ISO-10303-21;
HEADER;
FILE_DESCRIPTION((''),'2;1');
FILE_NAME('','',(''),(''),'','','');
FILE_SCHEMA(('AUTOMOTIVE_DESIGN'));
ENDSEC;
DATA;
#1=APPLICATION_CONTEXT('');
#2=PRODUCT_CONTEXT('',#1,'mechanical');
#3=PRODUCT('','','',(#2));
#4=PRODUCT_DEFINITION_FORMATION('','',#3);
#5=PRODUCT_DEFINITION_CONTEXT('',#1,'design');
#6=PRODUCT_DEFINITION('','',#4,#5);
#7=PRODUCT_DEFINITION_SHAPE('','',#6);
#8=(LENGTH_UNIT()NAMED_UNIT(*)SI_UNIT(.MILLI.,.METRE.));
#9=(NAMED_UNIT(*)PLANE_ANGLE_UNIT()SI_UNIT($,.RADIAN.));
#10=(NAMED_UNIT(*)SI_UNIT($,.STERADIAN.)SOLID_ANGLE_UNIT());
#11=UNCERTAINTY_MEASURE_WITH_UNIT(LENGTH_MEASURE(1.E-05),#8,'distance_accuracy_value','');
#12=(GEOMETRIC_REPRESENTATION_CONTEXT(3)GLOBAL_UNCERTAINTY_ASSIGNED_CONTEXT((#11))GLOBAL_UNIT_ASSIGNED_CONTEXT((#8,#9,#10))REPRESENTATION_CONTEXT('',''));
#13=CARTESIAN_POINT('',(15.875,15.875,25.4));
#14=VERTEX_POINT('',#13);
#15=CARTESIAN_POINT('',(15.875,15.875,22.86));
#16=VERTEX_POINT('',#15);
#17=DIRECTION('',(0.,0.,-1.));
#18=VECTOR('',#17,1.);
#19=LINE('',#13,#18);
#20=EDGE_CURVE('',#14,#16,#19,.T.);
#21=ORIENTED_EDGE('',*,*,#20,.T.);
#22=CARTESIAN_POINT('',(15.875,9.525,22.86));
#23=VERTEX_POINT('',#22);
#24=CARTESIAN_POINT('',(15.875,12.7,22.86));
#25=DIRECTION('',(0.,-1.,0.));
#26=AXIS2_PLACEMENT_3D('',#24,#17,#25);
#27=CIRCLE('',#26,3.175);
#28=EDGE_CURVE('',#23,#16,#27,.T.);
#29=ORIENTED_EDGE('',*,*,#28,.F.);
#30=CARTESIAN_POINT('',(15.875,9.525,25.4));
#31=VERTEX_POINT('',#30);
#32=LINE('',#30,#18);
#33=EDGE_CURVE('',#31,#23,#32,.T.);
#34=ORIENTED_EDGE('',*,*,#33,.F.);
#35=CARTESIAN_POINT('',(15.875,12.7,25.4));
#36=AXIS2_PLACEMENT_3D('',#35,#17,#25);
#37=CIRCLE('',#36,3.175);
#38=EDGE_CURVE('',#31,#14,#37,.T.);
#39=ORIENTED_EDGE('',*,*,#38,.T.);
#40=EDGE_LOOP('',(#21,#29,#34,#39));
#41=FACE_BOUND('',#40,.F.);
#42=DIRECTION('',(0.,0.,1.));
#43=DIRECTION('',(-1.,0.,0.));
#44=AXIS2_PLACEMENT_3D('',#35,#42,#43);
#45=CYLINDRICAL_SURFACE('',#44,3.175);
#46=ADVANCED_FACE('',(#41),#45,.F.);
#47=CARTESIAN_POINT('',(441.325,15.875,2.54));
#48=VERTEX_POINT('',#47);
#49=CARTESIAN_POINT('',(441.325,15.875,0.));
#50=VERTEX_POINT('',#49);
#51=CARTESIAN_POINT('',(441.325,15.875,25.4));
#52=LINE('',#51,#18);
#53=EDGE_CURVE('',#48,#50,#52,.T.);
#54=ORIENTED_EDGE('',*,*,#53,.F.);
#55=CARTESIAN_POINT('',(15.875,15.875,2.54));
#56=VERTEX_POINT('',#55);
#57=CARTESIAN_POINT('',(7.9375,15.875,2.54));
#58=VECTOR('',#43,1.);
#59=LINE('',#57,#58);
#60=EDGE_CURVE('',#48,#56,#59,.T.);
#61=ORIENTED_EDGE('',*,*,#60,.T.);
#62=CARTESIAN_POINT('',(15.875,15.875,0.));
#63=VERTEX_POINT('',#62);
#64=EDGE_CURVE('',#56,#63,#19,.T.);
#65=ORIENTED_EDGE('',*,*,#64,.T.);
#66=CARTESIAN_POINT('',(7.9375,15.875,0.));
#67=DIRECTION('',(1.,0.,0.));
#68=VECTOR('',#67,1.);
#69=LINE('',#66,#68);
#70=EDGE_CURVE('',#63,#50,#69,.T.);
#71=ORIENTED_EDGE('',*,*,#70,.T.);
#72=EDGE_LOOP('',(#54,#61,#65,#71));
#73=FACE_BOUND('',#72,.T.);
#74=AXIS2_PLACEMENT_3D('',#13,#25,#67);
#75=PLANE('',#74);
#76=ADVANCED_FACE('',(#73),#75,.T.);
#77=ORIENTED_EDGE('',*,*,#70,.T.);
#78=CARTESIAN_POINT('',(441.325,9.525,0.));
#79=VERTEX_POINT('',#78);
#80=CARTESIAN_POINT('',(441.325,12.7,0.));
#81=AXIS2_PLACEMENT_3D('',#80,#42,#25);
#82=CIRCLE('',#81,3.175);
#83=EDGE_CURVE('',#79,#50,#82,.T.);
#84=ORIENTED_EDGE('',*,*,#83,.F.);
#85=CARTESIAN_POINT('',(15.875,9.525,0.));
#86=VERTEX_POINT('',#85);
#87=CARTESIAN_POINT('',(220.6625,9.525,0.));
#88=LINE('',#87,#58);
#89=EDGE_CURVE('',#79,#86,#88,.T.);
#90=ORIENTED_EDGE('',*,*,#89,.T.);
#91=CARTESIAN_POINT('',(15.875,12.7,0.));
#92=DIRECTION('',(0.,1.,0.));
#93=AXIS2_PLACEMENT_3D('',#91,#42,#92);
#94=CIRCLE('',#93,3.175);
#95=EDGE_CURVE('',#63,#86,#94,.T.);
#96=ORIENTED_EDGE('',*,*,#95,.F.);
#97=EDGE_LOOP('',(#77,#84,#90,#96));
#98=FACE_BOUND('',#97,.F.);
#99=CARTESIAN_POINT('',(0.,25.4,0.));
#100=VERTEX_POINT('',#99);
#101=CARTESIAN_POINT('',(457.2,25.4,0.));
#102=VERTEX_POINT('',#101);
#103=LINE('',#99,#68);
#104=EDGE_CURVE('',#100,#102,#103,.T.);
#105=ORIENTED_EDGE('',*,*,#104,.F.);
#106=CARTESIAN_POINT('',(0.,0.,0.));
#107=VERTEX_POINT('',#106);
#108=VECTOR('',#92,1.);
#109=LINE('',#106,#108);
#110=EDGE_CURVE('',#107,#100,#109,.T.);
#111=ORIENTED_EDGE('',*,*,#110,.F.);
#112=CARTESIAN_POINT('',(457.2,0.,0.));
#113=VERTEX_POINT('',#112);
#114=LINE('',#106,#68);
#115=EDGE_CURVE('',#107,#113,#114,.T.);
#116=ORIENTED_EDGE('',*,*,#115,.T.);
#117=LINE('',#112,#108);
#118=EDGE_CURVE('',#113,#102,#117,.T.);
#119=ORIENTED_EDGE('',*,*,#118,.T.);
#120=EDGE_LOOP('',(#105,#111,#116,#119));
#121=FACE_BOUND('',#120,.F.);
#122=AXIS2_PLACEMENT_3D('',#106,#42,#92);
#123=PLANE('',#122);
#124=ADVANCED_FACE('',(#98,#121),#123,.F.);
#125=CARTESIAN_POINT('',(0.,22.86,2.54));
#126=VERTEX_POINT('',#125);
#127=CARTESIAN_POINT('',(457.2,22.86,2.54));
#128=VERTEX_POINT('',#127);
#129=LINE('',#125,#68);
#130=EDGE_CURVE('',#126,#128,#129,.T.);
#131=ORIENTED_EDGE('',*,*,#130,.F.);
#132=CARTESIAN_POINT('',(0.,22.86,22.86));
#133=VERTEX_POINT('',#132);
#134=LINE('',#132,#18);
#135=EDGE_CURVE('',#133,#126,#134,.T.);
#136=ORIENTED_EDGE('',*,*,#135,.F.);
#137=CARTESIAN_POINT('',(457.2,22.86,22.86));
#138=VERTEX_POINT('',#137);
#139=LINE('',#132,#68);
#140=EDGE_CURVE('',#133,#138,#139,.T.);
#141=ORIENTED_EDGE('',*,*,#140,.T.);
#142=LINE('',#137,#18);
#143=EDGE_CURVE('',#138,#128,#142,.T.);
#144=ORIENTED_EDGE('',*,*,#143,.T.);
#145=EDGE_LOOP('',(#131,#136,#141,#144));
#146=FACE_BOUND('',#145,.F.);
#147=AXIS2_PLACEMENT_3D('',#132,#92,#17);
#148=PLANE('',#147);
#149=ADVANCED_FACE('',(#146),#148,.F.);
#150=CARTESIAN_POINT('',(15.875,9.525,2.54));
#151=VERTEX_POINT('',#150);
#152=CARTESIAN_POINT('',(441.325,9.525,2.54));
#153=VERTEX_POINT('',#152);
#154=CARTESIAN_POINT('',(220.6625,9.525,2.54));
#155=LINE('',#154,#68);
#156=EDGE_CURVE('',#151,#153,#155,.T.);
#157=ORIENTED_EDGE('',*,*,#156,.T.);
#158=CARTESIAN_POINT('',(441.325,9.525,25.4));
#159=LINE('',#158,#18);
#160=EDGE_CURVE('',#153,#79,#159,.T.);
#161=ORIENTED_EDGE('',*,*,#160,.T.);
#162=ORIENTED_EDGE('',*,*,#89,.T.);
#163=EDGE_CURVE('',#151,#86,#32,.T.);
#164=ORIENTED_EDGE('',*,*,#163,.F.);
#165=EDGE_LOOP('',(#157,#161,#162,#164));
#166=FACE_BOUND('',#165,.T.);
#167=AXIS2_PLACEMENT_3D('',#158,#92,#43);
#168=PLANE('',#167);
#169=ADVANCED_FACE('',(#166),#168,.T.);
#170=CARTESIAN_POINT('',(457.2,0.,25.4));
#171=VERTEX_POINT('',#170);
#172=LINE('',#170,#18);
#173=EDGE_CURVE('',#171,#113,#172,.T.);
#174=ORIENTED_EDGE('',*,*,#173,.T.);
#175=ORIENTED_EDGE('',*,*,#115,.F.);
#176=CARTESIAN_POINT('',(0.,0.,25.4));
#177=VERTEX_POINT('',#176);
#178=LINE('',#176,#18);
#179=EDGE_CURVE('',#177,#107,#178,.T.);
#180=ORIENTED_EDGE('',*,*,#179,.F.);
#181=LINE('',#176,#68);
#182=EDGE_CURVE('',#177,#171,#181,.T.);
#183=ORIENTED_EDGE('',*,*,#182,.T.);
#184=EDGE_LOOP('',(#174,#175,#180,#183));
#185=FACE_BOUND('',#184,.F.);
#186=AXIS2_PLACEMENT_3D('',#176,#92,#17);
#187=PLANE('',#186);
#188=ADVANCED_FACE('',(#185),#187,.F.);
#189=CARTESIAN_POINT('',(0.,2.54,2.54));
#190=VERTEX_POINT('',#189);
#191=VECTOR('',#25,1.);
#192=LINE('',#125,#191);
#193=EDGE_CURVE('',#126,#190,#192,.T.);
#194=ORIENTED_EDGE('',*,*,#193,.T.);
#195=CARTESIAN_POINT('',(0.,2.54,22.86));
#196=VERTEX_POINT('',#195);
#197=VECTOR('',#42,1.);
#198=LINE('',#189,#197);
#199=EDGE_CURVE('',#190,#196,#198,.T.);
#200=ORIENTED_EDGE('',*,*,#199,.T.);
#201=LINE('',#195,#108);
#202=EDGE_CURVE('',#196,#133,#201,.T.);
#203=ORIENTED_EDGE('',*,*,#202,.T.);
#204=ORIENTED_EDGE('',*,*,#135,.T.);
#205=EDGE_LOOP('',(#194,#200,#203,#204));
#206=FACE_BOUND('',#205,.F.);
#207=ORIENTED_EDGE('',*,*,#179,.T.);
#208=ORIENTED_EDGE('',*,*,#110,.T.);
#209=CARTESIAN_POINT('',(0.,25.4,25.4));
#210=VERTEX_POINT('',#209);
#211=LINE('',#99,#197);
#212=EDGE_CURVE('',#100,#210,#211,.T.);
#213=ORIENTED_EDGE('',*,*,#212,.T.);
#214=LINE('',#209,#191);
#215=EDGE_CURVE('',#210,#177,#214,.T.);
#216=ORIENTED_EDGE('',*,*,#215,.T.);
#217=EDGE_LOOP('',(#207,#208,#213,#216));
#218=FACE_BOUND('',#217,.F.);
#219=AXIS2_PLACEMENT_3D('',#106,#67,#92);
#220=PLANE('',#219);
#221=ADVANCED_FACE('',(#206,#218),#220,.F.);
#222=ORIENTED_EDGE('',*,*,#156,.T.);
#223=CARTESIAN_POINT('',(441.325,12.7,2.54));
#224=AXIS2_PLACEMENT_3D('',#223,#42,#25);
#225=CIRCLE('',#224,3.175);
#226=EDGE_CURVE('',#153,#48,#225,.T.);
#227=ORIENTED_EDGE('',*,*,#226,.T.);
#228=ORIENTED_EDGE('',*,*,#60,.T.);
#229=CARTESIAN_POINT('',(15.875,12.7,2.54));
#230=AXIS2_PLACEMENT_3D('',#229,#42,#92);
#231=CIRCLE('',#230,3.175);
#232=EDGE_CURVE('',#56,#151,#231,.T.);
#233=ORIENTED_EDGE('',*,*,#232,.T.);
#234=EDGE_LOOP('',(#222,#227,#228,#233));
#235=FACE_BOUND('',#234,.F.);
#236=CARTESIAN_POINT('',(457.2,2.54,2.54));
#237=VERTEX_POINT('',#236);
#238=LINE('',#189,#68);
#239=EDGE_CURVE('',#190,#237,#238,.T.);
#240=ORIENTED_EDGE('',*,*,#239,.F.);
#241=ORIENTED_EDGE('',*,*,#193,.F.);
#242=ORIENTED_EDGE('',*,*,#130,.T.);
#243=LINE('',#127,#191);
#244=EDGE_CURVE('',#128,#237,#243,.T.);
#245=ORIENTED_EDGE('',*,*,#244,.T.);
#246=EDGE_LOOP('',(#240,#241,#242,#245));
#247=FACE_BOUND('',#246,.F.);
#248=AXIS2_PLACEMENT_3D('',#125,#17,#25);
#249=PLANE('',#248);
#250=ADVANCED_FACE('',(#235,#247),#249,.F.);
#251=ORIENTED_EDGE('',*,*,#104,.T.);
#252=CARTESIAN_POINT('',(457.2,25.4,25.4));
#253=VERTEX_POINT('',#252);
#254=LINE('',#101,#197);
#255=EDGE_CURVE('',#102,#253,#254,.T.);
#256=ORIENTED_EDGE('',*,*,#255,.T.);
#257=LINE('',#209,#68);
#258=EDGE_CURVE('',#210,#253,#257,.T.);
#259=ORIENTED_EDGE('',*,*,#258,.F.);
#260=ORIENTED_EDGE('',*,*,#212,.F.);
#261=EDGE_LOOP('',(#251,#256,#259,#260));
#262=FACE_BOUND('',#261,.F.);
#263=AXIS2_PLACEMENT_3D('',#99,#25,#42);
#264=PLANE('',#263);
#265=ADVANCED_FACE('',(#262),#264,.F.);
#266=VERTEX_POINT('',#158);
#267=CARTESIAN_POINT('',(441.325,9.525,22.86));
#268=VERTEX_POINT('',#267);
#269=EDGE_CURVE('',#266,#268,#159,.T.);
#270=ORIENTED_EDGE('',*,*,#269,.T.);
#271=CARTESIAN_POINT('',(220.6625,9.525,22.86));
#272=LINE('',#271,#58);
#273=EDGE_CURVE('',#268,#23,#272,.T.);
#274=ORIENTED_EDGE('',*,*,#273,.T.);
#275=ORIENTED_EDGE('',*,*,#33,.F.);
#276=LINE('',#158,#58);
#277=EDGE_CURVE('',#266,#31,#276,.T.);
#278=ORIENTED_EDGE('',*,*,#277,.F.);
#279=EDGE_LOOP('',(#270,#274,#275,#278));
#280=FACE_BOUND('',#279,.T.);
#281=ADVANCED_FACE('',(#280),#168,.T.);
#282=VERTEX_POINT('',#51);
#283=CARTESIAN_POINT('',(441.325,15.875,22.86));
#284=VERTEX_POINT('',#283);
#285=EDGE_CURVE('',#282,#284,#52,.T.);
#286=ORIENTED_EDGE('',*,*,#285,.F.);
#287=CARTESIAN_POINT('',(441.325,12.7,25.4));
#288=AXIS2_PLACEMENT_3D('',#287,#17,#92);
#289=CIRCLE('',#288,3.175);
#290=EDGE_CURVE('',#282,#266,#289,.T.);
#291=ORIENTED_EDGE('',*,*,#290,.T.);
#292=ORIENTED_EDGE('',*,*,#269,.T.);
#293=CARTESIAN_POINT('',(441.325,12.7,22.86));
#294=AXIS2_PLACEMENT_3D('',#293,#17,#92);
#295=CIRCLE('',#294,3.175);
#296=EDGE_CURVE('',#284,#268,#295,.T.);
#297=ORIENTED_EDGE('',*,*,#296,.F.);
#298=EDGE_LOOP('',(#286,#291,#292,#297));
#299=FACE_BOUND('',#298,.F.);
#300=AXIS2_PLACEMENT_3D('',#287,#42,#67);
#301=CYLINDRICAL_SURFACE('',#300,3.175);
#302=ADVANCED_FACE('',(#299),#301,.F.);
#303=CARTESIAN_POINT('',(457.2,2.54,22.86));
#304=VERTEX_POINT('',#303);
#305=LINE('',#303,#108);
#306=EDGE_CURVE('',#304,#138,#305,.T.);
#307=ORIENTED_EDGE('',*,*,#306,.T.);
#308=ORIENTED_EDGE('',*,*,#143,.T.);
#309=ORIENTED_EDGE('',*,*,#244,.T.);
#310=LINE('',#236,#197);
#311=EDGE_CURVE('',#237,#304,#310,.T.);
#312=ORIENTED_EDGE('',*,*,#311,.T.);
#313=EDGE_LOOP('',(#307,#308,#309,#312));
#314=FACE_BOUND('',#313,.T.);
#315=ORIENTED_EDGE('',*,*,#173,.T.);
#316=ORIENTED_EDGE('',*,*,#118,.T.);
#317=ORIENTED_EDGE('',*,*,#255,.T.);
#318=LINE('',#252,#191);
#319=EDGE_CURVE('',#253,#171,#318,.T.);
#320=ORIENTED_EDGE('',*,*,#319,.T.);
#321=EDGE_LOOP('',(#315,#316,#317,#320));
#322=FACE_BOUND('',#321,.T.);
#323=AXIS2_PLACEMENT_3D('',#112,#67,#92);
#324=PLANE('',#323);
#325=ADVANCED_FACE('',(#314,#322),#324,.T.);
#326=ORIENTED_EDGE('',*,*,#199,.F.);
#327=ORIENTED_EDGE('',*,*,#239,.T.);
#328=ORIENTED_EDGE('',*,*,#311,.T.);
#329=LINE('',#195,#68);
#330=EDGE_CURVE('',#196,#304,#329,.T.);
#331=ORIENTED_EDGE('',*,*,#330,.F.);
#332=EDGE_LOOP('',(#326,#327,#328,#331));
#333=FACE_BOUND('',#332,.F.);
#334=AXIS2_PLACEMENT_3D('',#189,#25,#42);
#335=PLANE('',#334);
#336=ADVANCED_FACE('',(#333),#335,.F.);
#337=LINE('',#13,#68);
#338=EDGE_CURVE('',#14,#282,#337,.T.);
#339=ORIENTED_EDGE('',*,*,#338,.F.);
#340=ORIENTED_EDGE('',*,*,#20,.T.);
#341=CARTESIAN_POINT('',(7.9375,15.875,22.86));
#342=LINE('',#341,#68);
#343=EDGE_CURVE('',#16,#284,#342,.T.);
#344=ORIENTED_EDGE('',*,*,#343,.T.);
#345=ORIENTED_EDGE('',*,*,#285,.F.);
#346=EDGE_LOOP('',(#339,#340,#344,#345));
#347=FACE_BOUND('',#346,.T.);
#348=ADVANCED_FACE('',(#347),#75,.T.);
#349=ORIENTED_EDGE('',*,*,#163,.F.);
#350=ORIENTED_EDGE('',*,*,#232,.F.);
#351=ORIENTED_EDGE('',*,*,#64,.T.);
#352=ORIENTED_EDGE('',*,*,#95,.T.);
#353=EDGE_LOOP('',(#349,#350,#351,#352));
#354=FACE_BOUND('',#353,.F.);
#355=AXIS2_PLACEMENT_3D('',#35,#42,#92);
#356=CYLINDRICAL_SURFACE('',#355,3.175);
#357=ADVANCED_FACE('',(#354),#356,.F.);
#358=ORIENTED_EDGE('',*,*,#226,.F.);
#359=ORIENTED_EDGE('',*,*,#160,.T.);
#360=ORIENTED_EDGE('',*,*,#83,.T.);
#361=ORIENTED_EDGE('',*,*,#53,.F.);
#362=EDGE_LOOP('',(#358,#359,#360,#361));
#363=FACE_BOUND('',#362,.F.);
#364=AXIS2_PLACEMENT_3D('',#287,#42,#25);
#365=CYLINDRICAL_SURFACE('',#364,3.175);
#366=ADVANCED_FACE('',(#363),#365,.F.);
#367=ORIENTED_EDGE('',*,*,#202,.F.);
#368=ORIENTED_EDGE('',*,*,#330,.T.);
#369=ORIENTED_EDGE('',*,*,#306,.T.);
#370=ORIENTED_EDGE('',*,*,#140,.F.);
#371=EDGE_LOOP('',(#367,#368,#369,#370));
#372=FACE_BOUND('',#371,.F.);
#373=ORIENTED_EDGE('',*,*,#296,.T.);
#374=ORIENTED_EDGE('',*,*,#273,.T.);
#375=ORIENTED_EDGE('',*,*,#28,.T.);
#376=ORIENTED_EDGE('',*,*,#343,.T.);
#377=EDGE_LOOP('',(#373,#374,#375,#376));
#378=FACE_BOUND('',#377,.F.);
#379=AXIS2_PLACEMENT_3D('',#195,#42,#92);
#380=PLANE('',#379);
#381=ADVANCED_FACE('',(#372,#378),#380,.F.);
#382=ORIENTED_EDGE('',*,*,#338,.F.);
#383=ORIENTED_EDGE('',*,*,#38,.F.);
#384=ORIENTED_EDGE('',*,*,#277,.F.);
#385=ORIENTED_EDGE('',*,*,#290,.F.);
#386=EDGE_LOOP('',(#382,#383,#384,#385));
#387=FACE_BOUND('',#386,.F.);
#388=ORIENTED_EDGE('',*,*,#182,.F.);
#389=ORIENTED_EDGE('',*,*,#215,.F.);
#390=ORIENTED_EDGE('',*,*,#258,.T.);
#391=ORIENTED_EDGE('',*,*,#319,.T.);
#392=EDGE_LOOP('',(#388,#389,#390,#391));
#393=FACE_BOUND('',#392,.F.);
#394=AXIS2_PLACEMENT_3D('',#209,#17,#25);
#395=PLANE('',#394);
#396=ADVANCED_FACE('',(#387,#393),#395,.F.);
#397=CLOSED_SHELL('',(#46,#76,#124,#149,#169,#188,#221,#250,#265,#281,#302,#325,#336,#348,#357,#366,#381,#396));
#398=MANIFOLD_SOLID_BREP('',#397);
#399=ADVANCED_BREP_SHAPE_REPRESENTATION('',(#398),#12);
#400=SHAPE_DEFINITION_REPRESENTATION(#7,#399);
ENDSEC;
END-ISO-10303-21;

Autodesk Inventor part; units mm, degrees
ref_plane "YZ Plane" through (0, 0, 0) normal (1, 0, 0) x (0, 1, 0)
ref_plane "XZ Plane" through (0, 0, 0) normal (0, 1, 0) x (-1, 0, 0)
ref_plane "XY Plane" through (0, 0, 0) normal (0, 0, 1) x (1, 0, 0)
sketch "Sketch1" plane through (0, 0, 0) normal (1, 0, 0) x (0, 1, 0)
  line L0 (0, 0) -> (25.4, 0)
  line L1 (25.4, 0) -> (25.4, 25.4)
  line L2 (25.4, 25.4) -> (0, 25.4)
  line L3 (0, 25.4) -> (0, 0)
  line L4 (22.86, 22.86) -> (22.86, 2.54)
  line L5 (22.86, 2.54) -> (2.54, 2.54)
  line L6 (2.54, 2.54) -> (2.54, 22.86)
  line L7 (2.54, 22.86) -> (22.86, 22.86)
  dimension "d0" = 2.54
  dimension "d1" = 25.4
  dimension "d2" = 25.4
extrude "Extrusion1" add sketch "Sketch1" along normal blind 457.2
sketch "Sketch2" plane through (0, 0, 25.4) normal (0, 0, 1) x (1, 0, 0)
  line L0 (15.875, 15.875) -> (441.325, 15.875)
  line L1 (444.5, 12.7) -> (444.5, 12.7)
  line L2 (441.325, 9.525) -> (15.875, 9.525)
  line L3 (12.7, 12.7) -> (12.7, 12.7)
  line L4 (457.2, 25.4) -> (457.2, 0) projected
  line L5 (0, 25.4) -> (0, 0) projected
  line L6 (0, 25.4) -> (457.2, 25.4) projected
  arc A0 (15.875, 15.875) -> (12.7, 12.7) centre (15.875, 12.7) ccw
  arc A1 (12.7, 12.7) -> (15.875, 9.525) centre (15.875, 12.7) ccw
  arc A2 (444.5, 12.7) -> (441.325, 15.875) centre (441.325, 12.7) ccw
  arc A3 (441.325, 9.525) -> (444.5, 12.7) centre (441.325, 12.7) ccw
  point P0 (12.7, 15.875)
  point P1 (12.7, 9.525)
  dimension "d5" = 6.35
  dimension "d6" = 12.7
  dimension "d7" = 12.7
  dimension "d8" = 9.525
  dimension "d9" = 3.175
extrude "Extrusion2" cut sketch "Sketch2" against normal blind 457.2
properties part number "Rail"
